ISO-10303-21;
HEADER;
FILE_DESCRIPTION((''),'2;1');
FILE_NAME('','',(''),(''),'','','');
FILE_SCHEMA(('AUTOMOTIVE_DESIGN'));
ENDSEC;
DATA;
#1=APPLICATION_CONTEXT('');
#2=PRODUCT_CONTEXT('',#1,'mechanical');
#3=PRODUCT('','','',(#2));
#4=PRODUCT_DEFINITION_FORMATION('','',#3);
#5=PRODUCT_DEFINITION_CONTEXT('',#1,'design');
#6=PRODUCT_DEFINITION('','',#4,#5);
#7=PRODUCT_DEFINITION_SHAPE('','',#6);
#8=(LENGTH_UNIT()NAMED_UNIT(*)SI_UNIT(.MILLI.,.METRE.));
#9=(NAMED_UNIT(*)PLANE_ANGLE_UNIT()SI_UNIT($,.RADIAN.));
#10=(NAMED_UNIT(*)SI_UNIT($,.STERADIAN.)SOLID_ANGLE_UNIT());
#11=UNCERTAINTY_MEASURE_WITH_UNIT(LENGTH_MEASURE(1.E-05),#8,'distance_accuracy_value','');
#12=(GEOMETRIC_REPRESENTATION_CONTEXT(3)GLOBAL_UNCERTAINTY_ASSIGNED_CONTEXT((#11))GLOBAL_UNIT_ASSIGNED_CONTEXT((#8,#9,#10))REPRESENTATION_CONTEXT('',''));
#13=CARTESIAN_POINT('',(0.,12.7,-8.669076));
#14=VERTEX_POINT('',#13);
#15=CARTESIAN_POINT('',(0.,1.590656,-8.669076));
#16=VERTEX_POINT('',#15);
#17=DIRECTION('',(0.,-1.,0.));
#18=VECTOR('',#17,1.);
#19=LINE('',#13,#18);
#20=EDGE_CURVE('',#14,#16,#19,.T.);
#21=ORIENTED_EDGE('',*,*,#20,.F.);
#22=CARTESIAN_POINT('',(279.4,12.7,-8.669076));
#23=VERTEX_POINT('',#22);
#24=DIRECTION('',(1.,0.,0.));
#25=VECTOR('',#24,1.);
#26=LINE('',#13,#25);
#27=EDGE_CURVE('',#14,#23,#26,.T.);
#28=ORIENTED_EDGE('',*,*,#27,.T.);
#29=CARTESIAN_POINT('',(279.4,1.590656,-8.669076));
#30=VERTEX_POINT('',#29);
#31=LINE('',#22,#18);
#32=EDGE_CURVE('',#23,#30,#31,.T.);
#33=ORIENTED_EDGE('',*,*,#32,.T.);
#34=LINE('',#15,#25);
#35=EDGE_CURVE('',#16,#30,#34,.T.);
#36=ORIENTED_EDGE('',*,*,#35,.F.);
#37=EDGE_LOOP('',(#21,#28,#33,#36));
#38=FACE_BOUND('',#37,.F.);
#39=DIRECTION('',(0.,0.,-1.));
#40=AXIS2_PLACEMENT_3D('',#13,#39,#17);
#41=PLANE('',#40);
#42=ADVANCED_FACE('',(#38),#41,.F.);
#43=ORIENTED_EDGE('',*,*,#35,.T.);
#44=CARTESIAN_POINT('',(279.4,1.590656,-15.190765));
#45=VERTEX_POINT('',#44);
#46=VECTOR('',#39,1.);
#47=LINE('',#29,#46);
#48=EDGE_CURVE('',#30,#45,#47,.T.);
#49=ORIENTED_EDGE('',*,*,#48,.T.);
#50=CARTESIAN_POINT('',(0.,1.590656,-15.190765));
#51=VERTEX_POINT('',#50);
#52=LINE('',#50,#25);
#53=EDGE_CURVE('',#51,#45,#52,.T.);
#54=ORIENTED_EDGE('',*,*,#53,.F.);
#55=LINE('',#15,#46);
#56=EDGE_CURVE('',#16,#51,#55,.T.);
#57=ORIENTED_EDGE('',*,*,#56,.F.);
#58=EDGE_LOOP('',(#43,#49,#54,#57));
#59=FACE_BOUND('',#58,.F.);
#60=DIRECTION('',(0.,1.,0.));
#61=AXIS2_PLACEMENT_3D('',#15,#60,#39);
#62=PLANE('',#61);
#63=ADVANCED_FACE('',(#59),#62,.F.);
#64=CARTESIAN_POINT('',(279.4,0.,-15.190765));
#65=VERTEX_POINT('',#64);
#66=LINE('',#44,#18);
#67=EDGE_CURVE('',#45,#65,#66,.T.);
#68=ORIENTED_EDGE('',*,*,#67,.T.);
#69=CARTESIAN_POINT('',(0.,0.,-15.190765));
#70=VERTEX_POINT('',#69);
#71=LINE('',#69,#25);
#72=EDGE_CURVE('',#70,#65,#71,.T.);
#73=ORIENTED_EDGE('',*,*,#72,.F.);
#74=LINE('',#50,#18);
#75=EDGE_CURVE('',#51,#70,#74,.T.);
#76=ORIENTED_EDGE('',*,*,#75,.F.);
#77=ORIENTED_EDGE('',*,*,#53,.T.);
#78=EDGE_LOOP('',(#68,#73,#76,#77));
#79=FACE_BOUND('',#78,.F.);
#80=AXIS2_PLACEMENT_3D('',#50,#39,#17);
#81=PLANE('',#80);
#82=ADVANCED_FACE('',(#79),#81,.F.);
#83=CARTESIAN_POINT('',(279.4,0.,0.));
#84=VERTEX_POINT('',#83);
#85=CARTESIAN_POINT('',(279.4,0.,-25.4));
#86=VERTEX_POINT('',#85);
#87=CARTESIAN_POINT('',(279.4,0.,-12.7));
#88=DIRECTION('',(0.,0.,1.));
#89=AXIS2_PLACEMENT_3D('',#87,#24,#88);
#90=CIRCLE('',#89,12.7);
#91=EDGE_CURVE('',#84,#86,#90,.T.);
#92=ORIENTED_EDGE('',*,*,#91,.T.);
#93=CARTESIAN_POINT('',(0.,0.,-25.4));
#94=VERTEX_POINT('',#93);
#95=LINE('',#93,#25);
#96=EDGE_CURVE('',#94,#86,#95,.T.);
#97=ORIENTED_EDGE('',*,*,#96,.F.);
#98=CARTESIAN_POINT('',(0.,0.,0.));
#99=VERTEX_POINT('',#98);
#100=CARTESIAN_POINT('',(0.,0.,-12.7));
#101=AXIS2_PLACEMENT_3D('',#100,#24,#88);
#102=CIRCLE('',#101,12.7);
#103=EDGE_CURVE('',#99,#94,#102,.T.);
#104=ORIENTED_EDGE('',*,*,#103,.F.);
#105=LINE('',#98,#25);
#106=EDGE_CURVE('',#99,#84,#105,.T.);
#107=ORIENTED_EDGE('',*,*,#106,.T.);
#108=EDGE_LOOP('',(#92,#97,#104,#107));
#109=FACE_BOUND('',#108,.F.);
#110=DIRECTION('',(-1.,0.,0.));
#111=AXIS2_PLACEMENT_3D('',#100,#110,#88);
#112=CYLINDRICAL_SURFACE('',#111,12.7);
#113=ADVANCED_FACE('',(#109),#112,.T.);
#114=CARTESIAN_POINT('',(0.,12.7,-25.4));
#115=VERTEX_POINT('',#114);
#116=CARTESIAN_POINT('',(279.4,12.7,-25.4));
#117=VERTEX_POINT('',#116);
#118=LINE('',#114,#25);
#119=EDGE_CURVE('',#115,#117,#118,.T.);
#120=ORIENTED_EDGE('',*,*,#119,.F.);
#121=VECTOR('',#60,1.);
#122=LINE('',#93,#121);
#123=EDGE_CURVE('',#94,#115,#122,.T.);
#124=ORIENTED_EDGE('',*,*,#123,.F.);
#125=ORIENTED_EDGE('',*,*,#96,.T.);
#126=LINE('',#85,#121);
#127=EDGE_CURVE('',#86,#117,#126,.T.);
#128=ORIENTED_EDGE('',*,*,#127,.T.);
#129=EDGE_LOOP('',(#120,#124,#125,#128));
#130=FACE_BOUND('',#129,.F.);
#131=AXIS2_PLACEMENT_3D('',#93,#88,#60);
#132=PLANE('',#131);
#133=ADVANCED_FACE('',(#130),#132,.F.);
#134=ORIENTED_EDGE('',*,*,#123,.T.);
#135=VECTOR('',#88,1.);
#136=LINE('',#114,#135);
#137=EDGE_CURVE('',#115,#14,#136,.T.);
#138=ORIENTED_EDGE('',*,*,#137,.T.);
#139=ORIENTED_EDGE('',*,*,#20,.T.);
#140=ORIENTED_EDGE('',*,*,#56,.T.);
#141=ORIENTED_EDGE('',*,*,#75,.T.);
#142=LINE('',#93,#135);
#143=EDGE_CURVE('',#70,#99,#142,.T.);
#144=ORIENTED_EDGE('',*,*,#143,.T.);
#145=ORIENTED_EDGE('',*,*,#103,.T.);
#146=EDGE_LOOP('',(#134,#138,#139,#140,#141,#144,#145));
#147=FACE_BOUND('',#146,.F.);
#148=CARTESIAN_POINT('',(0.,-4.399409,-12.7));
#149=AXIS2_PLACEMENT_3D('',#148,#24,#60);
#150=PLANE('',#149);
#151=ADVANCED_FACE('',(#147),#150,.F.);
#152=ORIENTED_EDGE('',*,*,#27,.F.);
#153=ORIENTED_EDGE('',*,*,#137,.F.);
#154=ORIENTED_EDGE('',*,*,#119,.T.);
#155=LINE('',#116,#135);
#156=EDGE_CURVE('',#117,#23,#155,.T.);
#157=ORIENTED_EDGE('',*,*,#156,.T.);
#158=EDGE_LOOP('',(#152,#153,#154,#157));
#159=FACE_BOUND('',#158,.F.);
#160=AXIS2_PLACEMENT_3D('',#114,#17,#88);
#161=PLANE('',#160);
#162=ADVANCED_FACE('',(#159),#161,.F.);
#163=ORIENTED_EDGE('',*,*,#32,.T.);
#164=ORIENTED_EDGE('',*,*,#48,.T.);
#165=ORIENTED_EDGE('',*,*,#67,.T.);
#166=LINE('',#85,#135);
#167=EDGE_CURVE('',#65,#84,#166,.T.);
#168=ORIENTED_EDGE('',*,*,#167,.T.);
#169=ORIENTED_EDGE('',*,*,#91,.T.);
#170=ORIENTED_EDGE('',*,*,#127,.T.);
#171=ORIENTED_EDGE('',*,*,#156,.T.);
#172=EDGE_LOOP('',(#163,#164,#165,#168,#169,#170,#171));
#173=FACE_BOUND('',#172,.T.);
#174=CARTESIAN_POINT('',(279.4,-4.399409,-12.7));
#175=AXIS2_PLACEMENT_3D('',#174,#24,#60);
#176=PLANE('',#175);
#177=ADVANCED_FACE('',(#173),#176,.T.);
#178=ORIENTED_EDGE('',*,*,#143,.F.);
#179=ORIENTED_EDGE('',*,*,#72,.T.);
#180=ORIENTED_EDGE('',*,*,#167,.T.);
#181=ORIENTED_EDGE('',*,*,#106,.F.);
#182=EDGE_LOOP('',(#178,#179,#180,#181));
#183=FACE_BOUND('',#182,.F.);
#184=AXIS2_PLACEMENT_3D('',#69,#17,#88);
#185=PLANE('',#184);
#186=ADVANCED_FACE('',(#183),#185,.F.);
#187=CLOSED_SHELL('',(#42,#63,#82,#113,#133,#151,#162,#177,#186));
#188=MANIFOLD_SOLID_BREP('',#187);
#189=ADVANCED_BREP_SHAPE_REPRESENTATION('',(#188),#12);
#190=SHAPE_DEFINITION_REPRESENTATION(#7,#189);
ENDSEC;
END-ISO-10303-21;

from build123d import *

# Parameters (mm, degrees)
F1_DEPTH = 279.4


with BuildPart() as f1:
    # F0 (on Right) → F1 (new body)
    with BuildSketch(Plane.YZ):
        with BuildLine():
            Line((0, -15.190765), (0, 0))
            ThreePointArc((0, 0), (-12.7, -12.7), (0, -25.4))
            Line((0, -25.4), (0, -15.190765))
        make_face()
        Polygon((1.590656, -15.190765), (0, -15.190765), (0, -25.4), (12.7, -25.4), (12.7, -8.669076), (1.590656, -8.669076), align=None)
    extrude(amount=F1_DEPTH)


solid = f1.part
